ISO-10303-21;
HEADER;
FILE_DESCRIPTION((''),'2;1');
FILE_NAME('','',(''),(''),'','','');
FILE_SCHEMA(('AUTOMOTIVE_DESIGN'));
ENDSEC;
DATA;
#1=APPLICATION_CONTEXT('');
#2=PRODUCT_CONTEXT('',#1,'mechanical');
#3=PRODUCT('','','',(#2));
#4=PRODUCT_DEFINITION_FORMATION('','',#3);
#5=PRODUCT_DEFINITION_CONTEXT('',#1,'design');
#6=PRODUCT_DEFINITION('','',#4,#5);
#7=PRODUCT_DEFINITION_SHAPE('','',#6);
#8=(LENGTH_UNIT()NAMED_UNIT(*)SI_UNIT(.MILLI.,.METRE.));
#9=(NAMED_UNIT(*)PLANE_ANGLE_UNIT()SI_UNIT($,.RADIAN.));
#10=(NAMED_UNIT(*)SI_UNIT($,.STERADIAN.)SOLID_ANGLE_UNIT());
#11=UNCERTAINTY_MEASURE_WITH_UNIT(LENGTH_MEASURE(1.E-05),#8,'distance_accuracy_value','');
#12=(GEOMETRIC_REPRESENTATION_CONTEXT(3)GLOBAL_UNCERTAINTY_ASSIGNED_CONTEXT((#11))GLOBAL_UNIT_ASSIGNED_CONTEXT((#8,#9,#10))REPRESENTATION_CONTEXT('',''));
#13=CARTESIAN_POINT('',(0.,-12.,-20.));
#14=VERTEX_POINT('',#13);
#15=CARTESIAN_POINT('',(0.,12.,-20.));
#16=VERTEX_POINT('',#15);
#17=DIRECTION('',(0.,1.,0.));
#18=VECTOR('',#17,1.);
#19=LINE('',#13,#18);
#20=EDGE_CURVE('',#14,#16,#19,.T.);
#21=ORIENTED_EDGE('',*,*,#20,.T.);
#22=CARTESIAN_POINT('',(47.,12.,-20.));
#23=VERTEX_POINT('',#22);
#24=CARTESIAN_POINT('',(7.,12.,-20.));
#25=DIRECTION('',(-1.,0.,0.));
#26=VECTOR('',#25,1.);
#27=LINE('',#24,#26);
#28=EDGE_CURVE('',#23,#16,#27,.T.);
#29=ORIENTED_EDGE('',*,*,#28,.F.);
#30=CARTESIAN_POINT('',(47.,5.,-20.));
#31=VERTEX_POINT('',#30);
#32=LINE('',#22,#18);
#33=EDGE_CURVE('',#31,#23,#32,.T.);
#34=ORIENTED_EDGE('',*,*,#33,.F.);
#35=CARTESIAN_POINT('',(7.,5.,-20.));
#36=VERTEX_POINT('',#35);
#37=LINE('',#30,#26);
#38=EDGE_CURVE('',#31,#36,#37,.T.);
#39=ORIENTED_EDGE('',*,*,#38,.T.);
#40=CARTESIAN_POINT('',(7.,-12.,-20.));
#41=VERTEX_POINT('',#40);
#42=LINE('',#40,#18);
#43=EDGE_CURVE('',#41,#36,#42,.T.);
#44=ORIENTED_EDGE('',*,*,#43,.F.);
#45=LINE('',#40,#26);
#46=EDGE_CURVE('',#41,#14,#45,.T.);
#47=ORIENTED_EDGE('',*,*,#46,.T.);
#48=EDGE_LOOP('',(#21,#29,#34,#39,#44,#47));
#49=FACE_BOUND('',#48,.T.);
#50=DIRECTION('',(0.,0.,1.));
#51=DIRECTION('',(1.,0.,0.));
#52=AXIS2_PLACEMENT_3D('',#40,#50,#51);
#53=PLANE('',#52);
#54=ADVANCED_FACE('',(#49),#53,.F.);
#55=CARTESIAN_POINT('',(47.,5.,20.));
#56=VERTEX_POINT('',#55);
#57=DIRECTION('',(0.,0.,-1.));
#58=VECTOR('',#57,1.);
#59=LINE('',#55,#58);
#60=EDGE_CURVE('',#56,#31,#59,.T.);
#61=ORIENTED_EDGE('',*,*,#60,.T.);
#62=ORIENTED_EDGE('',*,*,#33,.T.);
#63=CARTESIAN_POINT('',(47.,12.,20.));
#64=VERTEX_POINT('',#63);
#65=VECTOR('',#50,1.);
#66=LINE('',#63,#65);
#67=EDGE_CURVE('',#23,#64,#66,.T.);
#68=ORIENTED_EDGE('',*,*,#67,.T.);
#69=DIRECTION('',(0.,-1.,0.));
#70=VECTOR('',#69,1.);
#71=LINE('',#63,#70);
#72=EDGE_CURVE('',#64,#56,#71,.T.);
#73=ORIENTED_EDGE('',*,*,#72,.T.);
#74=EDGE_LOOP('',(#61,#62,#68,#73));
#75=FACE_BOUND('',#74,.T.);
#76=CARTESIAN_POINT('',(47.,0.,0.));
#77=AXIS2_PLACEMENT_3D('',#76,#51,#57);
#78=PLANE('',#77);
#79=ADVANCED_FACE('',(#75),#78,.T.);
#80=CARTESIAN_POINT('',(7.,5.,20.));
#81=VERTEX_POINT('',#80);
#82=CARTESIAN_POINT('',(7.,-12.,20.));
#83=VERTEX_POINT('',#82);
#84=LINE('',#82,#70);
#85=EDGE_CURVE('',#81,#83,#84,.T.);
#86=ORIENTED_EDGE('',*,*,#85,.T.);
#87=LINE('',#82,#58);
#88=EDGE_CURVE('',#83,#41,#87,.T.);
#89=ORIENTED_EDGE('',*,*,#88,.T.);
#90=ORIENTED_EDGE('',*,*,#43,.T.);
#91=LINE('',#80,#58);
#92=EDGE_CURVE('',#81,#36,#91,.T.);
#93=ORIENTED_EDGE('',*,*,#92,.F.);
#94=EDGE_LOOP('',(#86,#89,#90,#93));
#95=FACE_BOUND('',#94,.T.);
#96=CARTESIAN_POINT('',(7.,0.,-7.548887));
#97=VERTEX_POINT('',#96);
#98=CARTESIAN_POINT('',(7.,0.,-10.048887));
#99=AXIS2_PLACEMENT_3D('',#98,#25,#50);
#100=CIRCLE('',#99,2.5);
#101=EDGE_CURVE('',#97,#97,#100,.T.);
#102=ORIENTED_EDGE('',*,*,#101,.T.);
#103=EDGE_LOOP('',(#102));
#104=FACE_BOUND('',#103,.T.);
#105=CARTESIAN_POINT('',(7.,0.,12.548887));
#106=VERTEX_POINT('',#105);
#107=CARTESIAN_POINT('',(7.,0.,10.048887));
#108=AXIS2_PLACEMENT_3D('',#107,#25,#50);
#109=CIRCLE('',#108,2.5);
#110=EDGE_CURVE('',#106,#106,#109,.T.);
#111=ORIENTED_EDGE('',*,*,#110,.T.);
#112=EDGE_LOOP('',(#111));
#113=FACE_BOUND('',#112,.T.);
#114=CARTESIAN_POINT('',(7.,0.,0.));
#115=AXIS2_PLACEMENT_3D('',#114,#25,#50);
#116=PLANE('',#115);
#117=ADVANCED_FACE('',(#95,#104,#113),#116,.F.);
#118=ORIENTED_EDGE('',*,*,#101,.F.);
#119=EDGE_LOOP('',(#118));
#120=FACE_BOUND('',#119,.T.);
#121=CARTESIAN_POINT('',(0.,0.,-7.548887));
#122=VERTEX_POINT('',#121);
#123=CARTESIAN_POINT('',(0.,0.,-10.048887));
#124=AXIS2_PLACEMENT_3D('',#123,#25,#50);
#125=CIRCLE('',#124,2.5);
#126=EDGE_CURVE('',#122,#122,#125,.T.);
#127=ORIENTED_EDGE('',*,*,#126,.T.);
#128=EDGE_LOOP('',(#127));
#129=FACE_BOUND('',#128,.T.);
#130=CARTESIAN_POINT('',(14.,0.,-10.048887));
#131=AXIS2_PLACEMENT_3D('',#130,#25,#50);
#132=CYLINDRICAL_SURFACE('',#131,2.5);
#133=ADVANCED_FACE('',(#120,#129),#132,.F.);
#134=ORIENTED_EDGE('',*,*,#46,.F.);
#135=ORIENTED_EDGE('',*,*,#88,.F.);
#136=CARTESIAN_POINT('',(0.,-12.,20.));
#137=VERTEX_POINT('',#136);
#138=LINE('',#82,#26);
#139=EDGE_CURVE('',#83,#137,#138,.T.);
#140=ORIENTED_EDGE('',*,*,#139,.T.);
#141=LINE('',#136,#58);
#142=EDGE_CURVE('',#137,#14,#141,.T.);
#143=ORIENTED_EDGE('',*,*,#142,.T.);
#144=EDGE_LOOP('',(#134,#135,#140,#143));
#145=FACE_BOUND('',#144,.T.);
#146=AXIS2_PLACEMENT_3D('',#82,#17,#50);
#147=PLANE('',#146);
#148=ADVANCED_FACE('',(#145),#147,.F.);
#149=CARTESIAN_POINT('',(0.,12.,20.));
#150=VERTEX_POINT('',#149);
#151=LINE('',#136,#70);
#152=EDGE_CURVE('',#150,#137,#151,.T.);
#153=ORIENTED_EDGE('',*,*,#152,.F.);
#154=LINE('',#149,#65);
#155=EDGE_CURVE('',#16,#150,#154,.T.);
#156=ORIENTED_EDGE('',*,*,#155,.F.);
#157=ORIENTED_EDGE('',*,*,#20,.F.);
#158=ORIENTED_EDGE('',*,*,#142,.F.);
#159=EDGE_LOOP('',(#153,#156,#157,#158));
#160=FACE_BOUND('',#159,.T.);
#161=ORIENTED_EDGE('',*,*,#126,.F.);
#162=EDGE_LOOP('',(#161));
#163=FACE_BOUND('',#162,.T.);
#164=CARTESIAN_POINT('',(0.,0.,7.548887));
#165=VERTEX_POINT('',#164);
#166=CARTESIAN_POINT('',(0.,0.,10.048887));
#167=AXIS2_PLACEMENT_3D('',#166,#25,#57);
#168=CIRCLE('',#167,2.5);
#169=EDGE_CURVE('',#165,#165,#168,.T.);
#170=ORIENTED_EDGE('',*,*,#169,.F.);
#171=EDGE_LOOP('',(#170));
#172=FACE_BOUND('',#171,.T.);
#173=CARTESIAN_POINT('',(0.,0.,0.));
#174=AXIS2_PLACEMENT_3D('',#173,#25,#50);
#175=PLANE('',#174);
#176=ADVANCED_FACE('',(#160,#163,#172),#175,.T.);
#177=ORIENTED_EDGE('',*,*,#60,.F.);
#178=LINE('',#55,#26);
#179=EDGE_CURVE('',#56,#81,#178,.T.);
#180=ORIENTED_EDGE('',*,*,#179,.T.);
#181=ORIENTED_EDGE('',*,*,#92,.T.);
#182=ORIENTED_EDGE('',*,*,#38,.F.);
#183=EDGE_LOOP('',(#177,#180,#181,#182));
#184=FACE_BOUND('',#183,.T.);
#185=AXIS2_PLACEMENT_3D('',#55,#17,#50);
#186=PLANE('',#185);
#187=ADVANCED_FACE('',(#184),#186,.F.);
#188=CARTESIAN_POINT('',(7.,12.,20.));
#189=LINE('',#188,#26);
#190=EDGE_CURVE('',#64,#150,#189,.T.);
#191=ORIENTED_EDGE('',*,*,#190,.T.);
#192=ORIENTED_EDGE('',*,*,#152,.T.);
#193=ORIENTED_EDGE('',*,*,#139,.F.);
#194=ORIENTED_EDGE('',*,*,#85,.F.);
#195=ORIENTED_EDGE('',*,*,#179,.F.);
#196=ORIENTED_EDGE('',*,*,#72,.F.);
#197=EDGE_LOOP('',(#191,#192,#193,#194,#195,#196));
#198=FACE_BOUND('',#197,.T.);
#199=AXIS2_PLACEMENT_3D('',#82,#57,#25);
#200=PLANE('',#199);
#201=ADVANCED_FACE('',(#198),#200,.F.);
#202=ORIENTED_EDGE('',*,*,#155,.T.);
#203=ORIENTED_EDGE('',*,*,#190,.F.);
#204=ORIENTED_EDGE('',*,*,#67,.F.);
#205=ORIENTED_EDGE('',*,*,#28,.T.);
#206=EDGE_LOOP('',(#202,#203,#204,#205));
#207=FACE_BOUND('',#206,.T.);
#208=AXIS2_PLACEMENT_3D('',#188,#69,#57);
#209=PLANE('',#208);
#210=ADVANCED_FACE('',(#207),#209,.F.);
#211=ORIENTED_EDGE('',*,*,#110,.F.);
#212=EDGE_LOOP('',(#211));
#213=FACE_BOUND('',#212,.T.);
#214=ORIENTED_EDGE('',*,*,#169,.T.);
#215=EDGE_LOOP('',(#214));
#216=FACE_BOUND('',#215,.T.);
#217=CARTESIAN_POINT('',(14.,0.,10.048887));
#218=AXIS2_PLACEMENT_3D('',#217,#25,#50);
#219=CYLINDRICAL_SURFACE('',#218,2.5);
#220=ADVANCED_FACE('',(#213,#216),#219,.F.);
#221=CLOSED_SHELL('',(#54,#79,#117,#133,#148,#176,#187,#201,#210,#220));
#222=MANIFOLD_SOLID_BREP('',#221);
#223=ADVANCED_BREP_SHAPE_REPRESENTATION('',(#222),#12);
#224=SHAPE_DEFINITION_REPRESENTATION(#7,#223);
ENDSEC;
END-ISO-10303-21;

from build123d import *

# Parameters (mm, degrees)
SKETCH1_W           = 40
SKETCH1_H           = 24
BOSS_EXTRUDE1_DEPTH = 7
SKETCH2_W           = 40
SKETCH2_H           = 7
BOSS_EXTRUDE2_DEPTH = 40
SKETCH3_R           = 2.5
CUT_EXTRUDE1_DEPTH  = 14


with BuildPart() as part:
    # Sketch1 → Boss-Extrude1 (new body)
    with BuildSketch(Plane(origin=(0, 0, 0), x_dir=(0, 0, -1), z_dir=(1, 0, 0))):
        Rectangle(SKETCH1_W, SKETCH1_H)
    extrude(amount=BOSS_EXTRUDE1_DEPTH)

    # Sketch2 → Boss-Extrude2 (add)
    with BuildSketch(Plane(origin=(7, 0, 0), x_dir=(0, 0, -1), z_dir=(1, 0, 0))):
        with Locations((0, 8.5)):
            Rectangle(SKETCH2_W, SKETCH2_H)
    extrude(amount=BOSS_EXTRUDE2_DEPTH)

    # Sketch3 → Cut-Extrude1 (cut)
    with BuildSketch(Plane.ZY):
        with Locations((-10.048887394, 0)):
            Circle(SKETCH3_R)
        with Locations((10.048887394, 0)):
            Circle(SKETCH3_R)
    extrude(amount=-CUT_EXTRUDE1_DEPTH, mode=Mode.SUBTRACT)


solid = part.part
